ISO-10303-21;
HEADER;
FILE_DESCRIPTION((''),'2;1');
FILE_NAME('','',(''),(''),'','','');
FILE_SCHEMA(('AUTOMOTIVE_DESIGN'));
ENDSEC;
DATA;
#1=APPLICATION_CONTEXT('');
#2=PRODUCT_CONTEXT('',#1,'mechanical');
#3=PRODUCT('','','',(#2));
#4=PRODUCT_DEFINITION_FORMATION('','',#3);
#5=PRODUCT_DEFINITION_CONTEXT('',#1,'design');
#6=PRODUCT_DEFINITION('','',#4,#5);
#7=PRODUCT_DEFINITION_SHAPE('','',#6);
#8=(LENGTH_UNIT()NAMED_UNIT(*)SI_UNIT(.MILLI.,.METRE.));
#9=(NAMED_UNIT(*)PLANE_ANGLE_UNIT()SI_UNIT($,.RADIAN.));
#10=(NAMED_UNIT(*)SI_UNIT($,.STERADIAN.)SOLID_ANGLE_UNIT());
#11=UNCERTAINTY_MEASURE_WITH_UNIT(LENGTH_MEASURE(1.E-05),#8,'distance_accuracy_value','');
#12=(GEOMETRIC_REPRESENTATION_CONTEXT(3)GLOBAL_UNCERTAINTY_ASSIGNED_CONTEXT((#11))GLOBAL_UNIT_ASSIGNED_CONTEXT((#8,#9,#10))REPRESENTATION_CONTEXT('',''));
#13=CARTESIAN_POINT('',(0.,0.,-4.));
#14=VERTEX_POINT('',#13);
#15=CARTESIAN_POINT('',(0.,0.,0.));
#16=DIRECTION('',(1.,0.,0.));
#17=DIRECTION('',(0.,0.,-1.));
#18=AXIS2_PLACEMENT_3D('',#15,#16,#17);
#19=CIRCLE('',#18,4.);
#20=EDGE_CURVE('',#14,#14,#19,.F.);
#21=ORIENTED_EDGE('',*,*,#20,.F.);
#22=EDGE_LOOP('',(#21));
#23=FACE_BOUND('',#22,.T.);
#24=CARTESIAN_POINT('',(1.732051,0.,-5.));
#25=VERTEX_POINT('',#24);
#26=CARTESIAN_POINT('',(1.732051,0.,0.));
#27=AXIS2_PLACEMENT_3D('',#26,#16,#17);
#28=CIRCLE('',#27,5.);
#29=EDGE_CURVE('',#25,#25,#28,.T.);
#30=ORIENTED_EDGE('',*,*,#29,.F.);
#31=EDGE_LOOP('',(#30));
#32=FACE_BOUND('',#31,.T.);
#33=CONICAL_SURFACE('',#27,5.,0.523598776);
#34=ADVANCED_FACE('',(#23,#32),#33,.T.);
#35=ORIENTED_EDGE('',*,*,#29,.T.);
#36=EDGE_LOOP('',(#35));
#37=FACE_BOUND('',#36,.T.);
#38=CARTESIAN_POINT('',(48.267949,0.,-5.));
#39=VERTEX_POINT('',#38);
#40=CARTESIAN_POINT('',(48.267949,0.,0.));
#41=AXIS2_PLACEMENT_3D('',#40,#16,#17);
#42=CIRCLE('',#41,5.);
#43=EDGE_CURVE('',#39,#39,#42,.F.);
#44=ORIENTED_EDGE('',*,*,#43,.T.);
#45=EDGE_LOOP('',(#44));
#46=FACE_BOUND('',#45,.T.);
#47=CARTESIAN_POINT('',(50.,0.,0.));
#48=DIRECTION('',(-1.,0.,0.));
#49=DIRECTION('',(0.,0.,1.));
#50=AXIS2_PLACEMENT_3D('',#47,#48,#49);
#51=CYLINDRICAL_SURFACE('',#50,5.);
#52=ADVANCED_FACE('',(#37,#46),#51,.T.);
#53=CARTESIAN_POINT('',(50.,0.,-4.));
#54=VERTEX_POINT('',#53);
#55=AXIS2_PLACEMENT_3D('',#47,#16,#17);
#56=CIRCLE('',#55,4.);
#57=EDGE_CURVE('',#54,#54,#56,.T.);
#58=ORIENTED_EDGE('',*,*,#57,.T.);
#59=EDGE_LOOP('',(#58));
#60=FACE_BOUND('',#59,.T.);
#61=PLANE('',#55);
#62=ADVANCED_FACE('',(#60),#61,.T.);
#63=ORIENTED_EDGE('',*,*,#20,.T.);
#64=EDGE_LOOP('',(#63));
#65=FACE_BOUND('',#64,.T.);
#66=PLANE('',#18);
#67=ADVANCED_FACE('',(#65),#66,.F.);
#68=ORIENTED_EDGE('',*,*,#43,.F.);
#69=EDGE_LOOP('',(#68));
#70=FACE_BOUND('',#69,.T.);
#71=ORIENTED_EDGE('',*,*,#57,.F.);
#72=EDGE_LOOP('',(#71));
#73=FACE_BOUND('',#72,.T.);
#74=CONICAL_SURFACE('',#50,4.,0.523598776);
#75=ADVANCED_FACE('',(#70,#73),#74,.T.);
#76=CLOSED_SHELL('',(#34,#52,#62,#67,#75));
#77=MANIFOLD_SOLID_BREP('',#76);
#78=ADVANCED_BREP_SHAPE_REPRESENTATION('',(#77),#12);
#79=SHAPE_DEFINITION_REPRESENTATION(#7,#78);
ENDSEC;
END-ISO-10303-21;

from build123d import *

# Parameters (mm, degrees)
SKETCH4_R           = 5
BOSS_EXTRUDE2_DEPTH = 50
CHAMFER1_SIZE       = 1
CHAMFER1_SIZE2      = 1.732050808
CHAMFER2_SIZE       = 1
CHAMFER2_SIZE2      = 1.732050808


with BuildPart() as part:
    # Sketch4 → Boss-Extrude2 (new body)
    with BuildSketch(Plane(origin=(0, 0, 0), x_dir=(0, 0, -1), z_dir=(1, 0, 0))):
        Circle(SKETCH4_R)
    extrude(amount=BOSS_EXTRUDE2_DEPTH)

    # Chamfer1
    chamfer1_edges = [part.edges().sort_by_distance(p)[0] for p in [
        (0, 0, 5),
    ]]
    chamfer1_side = [part.faces().sort_by_distance(p)[0] for p in [
        (0, 0, 0),
    ]]
    chamfer(chamfer1_edges, length=CHAMFER1_SIZE, length2=CHAMFER1_SIZE2, reference=chamfer1_side[0])

    # Chamfer2
    chamfer2_edges = [part.edges().sort_by_distance(p)[0] for p in [
        (50, 0, 5),
    ]]
    chamfer2_side = [part.faces().sort_by_distance(p)[0] for p in [
        (50, 0, 0),
    ]]
    chamfer(chamfer2_edges, length=CHAMFER2_SIZE, length2=CHAMFER2_SIZE2, reference=chamfer2_side[0])


solid = part.part
